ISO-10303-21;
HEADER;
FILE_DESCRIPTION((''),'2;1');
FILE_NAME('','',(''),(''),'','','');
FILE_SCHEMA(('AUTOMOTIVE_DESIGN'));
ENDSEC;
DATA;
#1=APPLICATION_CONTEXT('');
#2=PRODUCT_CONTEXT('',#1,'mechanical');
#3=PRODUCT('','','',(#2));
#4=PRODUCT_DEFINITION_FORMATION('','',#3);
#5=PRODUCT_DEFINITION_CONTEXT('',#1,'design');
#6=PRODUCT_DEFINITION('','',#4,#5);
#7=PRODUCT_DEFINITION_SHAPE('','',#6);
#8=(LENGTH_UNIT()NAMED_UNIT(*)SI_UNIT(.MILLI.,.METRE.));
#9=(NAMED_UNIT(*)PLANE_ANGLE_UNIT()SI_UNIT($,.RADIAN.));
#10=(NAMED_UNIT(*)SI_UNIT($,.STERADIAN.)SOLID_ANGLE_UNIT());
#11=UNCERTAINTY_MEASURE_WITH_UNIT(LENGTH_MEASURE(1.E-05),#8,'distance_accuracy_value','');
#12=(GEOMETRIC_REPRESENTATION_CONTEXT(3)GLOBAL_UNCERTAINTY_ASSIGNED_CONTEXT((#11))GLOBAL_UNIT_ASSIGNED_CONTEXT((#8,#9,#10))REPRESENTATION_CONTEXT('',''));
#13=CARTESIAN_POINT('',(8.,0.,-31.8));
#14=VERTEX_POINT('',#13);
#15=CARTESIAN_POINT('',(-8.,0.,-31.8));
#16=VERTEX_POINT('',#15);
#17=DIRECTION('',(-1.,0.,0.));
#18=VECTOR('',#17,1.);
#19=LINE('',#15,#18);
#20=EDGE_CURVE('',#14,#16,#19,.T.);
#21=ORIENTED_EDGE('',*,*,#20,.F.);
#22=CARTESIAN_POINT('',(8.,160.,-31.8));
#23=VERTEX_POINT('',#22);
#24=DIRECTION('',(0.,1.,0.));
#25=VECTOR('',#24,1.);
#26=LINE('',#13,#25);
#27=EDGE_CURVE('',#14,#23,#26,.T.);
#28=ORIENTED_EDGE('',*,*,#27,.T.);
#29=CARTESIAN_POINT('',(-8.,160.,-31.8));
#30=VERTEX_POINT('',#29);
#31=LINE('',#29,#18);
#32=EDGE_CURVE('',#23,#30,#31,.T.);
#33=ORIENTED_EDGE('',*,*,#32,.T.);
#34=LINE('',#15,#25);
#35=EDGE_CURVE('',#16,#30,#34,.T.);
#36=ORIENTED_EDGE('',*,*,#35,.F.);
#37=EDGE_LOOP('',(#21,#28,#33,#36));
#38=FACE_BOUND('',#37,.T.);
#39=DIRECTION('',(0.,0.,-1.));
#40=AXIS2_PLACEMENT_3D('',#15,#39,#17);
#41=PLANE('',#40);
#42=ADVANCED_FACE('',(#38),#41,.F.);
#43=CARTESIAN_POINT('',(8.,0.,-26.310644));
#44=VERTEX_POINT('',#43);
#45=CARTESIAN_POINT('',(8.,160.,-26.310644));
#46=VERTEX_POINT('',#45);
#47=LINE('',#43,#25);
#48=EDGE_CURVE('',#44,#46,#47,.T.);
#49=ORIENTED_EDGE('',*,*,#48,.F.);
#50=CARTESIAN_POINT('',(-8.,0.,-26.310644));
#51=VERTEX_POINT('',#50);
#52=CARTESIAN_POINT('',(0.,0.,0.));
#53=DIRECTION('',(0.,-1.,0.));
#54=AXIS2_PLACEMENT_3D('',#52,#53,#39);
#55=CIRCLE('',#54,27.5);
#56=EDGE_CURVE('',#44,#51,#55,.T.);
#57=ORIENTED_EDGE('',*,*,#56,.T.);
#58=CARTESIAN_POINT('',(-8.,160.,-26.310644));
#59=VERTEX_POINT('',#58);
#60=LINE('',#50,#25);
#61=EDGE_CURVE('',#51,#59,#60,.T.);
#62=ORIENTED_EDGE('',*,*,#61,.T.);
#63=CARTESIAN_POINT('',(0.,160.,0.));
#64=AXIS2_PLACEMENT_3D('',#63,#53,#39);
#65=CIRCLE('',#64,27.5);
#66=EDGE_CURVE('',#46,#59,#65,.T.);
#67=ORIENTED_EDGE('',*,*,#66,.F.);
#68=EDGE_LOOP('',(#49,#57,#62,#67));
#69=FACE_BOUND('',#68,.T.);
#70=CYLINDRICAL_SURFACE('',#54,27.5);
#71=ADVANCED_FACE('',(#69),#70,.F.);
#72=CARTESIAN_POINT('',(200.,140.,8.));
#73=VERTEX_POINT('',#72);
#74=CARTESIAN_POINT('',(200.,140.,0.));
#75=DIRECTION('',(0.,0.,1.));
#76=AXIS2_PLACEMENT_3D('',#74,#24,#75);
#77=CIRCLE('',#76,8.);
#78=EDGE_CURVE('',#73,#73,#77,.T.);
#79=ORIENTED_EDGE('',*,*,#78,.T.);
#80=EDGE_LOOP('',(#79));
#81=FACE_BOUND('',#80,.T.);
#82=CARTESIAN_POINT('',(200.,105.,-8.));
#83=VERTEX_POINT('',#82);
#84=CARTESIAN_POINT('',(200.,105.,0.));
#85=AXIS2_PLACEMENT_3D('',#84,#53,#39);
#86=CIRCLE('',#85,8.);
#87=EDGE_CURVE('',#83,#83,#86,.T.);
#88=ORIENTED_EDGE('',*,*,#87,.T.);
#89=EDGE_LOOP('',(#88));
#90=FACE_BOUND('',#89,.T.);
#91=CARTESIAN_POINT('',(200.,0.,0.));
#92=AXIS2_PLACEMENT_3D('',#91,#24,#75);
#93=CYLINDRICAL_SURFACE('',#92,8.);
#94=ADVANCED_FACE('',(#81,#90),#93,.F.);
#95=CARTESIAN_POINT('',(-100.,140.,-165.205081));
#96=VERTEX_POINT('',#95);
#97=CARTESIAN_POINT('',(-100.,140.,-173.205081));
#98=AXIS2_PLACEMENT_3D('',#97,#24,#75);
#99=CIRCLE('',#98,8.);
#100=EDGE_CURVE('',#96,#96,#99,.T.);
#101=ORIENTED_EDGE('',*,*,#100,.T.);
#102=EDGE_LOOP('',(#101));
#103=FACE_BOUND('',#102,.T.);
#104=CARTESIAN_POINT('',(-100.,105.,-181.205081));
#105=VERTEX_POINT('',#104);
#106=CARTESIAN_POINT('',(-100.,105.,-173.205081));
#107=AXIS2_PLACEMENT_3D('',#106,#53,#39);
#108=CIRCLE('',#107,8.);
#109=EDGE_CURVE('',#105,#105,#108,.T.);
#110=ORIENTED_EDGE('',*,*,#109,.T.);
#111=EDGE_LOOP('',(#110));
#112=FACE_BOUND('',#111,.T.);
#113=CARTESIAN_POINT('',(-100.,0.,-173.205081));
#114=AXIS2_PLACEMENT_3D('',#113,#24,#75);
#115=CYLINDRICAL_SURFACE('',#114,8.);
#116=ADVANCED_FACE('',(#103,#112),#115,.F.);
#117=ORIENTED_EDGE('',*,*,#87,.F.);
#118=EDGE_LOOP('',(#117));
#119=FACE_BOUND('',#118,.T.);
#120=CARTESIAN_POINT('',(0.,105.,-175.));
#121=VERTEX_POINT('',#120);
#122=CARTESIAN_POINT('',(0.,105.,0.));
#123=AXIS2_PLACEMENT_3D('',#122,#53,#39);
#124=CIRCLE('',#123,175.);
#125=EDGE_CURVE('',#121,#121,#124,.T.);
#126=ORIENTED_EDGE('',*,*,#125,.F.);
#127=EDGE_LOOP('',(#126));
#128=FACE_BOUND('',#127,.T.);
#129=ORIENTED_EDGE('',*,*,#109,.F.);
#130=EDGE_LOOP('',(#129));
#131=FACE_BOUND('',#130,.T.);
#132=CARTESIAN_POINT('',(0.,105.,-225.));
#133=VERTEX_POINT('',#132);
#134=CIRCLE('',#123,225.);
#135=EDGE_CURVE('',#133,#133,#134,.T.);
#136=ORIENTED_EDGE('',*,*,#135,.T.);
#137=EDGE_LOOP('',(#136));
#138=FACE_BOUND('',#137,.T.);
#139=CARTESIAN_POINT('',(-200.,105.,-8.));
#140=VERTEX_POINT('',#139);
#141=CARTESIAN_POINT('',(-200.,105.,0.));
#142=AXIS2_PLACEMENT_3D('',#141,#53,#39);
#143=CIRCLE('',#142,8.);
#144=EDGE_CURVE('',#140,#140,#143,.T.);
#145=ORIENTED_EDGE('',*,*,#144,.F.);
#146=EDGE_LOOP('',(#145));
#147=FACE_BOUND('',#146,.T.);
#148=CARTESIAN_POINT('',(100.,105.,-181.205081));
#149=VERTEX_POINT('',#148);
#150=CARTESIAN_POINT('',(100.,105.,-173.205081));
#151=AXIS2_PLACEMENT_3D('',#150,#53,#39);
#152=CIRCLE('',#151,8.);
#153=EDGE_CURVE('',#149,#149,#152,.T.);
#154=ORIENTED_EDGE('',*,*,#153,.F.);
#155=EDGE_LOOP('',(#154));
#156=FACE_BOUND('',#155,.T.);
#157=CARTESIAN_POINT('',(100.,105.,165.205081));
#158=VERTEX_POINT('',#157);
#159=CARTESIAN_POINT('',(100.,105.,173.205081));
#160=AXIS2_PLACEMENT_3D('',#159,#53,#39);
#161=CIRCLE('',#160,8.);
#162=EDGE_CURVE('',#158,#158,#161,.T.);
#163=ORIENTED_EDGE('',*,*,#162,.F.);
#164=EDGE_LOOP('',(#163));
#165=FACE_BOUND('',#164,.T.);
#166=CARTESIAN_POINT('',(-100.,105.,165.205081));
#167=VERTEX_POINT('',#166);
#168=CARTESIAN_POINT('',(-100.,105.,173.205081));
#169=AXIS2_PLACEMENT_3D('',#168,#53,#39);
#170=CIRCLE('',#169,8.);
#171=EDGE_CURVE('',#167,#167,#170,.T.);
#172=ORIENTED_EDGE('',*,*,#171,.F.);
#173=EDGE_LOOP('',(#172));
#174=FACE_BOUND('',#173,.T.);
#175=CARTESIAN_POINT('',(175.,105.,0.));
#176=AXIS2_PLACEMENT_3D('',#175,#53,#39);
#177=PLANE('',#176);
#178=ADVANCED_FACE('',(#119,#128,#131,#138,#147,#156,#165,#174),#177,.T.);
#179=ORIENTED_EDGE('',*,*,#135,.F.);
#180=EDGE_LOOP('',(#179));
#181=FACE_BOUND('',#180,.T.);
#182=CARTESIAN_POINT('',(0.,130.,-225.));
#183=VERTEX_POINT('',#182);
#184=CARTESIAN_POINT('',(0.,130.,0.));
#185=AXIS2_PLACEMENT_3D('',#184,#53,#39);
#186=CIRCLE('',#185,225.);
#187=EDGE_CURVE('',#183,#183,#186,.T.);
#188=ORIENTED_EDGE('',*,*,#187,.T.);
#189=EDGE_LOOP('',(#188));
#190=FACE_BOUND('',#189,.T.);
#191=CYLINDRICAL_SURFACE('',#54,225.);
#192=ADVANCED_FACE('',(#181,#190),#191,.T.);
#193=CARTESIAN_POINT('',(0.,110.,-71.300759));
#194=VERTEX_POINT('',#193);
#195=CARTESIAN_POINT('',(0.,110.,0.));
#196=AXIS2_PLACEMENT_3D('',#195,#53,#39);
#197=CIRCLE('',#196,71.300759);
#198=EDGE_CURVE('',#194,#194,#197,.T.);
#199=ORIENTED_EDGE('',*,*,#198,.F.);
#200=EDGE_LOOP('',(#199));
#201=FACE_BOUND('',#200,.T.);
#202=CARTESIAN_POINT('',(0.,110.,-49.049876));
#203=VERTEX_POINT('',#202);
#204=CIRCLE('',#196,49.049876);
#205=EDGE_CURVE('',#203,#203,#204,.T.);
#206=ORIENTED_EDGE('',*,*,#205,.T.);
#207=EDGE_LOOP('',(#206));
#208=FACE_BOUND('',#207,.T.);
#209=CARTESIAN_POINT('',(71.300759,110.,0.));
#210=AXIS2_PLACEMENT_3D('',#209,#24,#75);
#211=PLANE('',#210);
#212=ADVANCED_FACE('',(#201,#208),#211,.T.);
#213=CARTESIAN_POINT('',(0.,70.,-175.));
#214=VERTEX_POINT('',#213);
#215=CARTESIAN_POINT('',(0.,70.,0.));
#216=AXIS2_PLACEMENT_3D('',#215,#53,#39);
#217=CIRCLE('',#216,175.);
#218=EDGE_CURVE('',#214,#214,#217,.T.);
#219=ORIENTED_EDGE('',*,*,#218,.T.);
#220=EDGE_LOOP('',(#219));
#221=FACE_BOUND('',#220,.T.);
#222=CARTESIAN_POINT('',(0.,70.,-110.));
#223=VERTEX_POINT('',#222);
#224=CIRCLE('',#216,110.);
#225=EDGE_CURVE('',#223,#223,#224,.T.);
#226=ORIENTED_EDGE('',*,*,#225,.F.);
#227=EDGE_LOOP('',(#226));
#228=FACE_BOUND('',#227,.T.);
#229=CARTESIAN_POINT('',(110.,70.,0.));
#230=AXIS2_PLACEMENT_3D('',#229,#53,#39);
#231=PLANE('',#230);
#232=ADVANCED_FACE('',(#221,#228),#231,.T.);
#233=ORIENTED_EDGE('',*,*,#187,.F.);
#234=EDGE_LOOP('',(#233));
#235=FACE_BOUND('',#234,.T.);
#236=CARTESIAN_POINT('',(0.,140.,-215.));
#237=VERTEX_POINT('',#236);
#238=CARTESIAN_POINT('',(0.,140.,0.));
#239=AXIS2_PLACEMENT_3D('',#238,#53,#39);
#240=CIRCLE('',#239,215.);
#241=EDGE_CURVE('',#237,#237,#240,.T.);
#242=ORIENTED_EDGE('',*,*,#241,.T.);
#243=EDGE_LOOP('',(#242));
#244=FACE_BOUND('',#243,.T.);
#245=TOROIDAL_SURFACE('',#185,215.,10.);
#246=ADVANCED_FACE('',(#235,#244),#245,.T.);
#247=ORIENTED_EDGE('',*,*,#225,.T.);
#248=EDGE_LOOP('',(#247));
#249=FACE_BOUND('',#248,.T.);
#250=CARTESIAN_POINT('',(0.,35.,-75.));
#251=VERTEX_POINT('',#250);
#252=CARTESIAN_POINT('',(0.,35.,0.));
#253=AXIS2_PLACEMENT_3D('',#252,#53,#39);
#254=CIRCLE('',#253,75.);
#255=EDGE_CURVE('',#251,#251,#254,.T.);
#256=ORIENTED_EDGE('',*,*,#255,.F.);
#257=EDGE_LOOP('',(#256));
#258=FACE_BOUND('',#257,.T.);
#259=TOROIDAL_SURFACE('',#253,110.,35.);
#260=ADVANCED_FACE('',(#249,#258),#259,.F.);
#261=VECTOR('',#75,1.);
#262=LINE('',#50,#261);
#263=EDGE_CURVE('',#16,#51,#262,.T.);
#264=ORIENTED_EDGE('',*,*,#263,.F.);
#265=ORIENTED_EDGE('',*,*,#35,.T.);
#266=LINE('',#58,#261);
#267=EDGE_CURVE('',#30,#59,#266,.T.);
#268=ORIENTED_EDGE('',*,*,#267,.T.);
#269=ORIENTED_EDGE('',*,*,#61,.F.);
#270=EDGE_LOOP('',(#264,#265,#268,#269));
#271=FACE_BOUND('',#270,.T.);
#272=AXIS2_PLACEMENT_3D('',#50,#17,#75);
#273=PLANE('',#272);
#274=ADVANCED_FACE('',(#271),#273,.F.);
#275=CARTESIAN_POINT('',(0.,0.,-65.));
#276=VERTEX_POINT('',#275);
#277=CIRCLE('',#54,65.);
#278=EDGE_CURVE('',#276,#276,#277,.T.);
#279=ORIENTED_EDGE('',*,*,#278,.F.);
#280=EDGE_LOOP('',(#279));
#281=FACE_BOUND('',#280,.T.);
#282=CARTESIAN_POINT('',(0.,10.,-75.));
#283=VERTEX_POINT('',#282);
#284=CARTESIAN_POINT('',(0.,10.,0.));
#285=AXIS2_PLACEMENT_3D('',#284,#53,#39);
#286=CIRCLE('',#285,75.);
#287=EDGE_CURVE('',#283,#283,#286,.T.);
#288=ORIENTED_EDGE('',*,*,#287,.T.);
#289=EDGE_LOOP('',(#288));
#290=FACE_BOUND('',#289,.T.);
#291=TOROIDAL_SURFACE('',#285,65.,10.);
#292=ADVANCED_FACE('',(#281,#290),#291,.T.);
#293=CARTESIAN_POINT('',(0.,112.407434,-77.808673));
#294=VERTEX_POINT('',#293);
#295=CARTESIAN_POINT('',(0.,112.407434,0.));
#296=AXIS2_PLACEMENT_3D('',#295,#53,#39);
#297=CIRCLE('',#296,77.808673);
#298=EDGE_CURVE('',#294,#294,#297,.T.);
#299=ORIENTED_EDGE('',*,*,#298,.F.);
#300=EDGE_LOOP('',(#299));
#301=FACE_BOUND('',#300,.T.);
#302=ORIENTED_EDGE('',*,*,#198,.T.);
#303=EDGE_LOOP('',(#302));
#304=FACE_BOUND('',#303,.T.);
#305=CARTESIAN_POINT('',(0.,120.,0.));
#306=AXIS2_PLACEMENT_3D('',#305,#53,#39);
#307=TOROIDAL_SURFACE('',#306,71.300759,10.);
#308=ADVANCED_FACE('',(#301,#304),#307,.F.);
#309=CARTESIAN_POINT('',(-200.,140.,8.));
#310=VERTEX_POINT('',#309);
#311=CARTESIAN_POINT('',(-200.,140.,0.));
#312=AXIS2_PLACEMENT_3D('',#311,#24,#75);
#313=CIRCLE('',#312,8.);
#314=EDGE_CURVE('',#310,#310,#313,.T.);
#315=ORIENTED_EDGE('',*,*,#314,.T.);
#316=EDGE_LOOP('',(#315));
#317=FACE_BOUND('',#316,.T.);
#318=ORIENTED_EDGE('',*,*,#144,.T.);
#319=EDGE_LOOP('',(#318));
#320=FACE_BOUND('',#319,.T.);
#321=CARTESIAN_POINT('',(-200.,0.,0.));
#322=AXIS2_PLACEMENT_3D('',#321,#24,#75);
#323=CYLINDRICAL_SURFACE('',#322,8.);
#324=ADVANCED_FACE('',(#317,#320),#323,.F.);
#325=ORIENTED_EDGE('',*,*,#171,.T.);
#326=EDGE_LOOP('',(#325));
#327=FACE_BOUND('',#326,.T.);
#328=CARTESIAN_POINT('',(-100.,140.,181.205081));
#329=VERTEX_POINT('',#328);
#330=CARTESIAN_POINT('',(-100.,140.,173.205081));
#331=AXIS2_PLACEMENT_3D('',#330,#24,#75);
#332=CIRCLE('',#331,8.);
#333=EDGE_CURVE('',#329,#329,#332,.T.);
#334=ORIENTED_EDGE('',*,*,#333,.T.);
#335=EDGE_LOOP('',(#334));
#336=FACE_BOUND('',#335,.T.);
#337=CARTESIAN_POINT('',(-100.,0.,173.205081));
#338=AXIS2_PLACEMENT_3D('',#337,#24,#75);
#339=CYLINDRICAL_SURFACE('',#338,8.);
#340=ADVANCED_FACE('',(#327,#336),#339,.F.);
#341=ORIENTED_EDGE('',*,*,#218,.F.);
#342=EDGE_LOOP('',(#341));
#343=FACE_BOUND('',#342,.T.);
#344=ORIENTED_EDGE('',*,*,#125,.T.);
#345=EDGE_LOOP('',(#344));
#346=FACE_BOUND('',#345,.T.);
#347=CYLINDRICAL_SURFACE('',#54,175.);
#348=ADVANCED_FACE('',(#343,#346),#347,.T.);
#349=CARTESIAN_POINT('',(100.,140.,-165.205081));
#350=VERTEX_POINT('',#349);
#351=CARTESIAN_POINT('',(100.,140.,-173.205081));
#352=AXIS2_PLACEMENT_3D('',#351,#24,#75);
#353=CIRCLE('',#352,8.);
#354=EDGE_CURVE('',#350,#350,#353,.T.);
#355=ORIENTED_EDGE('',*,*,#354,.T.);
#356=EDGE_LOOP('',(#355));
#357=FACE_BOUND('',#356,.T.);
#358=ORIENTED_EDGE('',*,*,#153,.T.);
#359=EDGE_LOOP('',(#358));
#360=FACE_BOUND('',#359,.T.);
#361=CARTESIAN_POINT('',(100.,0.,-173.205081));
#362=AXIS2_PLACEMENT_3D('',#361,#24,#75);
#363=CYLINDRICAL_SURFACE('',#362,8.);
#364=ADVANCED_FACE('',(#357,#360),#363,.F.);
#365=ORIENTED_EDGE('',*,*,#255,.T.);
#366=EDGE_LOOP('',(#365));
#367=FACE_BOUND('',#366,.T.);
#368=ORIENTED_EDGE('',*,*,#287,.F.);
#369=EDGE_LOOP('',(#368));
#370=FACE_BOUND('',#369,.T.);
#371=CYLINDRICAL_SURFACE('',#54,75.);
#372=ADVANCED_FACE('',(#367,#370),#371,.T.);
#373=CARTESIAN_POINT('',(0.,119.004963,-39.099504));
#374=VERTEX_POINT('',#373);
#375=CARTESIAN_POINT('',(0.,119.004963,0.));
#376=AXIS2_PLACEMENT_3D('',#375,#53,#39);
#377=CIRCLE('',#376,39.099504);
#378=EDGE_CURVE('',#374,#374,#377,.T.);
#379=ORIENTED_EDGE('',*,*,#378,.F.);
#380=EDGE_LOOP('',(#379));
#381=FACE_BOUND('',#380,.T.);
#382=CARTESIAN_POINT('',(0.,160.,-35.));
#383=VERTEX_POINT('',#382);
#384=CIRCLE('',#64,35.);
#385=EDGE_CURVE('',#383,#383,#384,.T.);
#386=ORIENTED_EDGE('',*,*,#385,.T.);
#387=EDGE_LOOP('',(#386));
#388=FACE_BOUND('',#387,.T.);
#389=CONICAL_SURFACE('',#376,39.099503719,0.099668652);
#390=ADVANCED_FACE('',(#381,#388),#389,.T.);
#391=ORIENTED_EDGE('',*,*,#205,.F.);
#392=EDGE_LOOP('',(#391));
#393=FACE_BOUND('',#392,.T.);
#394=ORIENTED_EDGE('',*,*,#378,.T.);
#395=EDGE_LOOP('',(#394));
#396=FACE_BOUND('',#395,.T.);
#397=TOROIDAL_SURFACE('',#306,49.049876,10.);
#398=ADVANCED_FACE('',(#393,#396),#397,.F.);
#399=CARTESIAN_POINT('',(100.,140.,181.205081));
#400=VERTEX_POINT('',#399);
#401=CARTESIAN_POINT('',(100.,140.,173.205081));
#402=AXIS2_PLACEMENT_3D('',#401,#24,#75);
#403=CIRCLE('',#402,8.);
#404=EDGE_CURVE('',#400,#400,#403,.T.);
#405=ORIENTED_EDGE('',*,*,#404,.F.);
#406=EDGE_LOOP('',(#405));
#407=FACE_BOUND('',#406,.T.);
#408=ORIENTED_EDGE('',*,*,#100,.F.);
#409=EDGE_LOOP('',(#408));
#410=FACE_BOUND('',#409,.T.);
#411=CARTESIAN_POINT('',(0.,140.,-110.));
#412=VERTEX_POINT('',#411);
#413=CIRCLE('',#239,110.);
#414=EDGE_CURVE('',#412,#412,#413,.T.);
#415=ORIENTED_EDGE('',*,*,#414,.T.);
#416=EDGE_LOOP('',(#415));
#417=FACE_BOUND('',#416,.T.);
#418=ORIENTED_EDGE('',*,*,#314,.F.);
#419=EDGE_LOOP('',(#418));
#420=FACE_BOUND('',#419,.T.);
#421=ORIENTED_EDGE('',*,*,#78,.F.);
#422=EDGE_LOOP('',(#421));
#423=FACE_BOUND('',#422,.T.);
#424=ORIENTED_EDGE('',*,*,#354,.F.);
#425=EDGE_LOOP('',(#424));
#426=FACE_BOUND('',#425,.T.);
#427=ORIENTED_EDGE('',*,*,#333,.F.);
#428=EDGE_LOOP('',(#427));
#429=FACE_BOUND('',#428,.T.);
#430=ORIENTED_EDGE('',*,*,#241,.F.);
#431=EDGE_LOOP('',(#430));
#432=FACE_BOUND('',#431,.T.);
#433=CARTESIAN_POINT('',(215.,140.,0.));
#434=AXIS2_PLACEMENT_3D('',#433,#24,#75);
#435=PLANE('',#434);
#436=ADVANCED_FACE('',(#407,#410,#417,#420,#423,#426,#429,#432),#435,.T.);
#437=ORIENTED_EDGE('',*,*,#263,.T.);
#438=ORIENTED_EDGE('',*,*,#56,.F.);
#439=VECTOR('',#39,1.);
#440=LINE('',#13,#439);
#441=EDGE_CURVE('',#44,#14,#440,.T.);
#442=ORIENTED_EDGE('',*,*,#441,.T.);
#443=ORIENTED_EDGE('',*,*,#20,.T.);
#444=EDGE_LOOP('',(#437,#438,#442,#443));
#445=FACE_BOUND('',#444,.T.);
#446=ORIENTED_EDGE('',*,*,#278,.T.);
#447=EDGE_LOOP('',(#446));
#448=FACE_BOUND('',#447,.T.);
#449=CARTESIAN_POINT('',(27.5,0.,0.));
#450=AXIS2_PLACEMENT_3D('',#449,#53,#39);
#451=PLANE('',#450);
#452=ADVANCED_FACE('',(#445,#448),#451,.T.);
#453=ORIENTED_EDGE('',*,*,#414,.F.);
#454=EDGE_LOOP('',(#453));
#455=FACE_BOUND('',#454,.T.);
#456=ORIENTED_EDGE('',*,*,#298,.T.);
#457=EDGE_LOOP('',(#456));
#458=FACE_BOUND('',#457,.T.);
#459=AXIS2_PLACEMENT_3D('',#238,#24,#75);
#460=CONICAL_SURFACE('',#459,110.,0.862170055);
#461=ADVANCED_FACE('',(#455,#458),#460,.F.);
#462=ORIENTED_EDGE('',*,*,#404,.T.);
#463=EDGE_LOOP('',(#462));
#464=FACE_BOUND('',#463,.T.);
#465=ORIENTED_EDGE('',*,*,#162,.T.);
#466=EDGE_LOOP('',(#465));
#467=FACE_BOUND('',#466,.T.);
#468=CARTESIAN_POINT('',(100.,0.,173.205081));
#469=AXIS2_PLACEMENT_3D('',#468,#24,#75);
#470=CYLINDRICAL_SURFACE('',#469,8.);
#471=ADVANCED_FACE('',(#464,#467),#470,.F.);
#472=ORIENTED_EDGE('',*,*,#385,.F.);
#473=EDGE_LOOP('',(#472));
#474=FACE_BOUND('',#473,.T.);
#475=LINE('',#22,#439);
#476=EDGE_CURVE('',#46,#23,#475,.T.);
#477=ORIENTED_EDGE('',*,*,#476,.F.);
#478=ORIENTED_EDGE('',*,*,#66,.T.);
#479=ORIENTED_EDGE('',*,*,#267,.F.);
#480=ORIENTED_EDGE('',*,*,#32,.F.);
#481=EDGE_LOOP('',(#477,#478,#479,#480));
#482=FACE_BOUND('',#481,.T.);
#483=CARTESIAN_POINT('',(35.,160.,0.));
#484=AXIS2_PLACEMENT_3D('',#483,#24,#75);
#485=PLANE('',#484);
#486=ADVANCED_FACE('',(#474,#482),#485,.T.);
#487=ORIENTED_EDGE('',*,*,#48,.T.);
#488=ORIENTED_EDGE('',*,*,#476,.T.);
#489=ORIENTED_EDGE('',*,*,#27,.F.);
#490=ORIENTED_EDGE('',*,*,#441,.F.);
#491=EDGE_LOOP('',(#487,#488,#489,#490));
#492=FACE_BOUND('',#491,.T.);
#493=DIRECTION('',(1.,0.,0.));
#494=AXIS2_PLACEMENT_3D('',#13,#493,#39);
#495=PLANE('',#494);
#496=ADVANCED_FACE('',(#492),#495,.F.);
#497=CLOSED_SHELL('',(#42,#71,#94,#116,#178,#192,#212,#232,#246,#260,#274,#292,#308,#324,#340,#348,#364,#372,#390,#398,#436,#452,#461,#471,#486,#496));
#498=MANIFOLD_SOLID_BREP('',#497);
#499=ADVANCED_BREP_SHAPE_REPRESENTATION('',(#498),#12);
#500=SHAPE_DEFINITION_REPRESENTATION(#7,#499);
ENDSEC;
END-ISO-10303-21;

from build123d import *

# Parameters (mm, degrees)
CUT_EXTRUDE1_DEPTH      = 348.634865915
CUT_EXTRUDE1_DEPTH_BACK = 348.634865915
SKETCH2_R               = 8
CUT_EXTRUDE2_DEPTH      = 357.16007637
CUT_EXTRUDE2_DEPTH_BACK = 357.16007637


with BuildPart() as part:
    # Sketch1 → Revolve1 (revolve)
    with BuildSketch(Plane.XY, mode=Mode.PRIVATE) as revolve1_sk:
        with BuildLine():
            Line((27.5, 0), (65, 0))
            ThreePointArc((65, 0), (72.071067812, 2.928932188), (75, 10))
            Line((75, 10), (75, 35))
            ThreePointArc((75, 35), (85.251262658, 59.748737342), (110, 70))
            Line((110, 70), (175, 70))
            Line((175, 70), (175, 105))
            Line((175, 105), (225, 105))
            Line((225, 105), (225, 130))
            ThreePointArc((225, 130), (222.071067812, 137.071067812), (215, 140))
            Line((215, 140), (110, 140))
            Line((110, 140), (77.808672972, 112.407433976))
            ThreePointArc((77.808672972, 112.407433976), (74.770221715, 110.621149851), (71.300759238, 110))
            Line((71.300759238, 110), (49.049875621, 110))
            ThreePointArc((49.049875621, 110), (42.339822414, 112.585474664), (39.099503719, 119.00496281))
            Line((39.099503719, 119.00496281), (35, 160))
            Line((35, 160), (27.5, 160))
            Line((27.5, 160), (27.5, 0))
        make_face()
    revolve(revolve1_sk.sketch.rotate(Axis((0, 0, 0), (0, 1, 0)), 90), axis=Axis((0, 0, 0), (0, 1, 0)))

    # Sketch2 → Cut-Extrude1 (cut, two sides: drawn at the far end of the back side and taken through both)
    with BuildSketch(Plane(origin=(0, 140, 0), x_dir=(1, 0, 0), z_dir=(0, 1, 0)).offset(-CUT_EXTRUDE1_DEPTH_BACK)):
        with Locations(Location((200, 0, 0), (0, 0, 270))):
            Circle(SKETCH2_R)
        with Locations(Location((100, -173.205080757, 0), (0, 0, 270))):
            Circle(SKETCH2_R)
        with Locations(Location((-100, -173.205080757, 0), (0, 0, 270))):
            Circle(SKETCH2_R)
        with Locations(Location((-200, 0, 0), (0, 0, 270))):
            Circle(SKETCH2_R)
        with Locations(Location((-100, 173.205080757, 0), (0, 0, 270))):
            Circle(SKETCH2_R)
        with Locations(Location((100, 173.205080757, 0), (0, 0, 270))):
            Circle(SKETCH2_R)
    extrude(amount=CUT_EXTRUDE1_DEPTH + CUT_EXTRUDE1_DEPTH_BACK, mode=Mode.SUBTRACT)

    # Sketch3 → Cut-Extrude2 (cut, two sides: drawn at the far end of the back side and taken through both)
    with BuildSketch(Plane(origin=(0, 160, 0), x_dir=(1, 0, 0), z_dir=(0, 1, 0)).offset(-CUT_EXTRUDE2_DEPTH_BACK)):
        with BuildLine():
            Line((-8, 26.310644234), (-8, 31.8))
            Line((-8, 31.8), (8, 31.8))
            Line((8, 31.8), (8, 26.310644234))
            ThreePointArc((8, 26.310644234), (0, 27.5), (-8, 26.310644234))
        make_face()
    extrude(amount=CUT_EXTRUDE2_DEPTH + CUT_EXTRUDE2_DEPTH_BACK, mode=Mode.SUBTRACT)


solid = part.part
